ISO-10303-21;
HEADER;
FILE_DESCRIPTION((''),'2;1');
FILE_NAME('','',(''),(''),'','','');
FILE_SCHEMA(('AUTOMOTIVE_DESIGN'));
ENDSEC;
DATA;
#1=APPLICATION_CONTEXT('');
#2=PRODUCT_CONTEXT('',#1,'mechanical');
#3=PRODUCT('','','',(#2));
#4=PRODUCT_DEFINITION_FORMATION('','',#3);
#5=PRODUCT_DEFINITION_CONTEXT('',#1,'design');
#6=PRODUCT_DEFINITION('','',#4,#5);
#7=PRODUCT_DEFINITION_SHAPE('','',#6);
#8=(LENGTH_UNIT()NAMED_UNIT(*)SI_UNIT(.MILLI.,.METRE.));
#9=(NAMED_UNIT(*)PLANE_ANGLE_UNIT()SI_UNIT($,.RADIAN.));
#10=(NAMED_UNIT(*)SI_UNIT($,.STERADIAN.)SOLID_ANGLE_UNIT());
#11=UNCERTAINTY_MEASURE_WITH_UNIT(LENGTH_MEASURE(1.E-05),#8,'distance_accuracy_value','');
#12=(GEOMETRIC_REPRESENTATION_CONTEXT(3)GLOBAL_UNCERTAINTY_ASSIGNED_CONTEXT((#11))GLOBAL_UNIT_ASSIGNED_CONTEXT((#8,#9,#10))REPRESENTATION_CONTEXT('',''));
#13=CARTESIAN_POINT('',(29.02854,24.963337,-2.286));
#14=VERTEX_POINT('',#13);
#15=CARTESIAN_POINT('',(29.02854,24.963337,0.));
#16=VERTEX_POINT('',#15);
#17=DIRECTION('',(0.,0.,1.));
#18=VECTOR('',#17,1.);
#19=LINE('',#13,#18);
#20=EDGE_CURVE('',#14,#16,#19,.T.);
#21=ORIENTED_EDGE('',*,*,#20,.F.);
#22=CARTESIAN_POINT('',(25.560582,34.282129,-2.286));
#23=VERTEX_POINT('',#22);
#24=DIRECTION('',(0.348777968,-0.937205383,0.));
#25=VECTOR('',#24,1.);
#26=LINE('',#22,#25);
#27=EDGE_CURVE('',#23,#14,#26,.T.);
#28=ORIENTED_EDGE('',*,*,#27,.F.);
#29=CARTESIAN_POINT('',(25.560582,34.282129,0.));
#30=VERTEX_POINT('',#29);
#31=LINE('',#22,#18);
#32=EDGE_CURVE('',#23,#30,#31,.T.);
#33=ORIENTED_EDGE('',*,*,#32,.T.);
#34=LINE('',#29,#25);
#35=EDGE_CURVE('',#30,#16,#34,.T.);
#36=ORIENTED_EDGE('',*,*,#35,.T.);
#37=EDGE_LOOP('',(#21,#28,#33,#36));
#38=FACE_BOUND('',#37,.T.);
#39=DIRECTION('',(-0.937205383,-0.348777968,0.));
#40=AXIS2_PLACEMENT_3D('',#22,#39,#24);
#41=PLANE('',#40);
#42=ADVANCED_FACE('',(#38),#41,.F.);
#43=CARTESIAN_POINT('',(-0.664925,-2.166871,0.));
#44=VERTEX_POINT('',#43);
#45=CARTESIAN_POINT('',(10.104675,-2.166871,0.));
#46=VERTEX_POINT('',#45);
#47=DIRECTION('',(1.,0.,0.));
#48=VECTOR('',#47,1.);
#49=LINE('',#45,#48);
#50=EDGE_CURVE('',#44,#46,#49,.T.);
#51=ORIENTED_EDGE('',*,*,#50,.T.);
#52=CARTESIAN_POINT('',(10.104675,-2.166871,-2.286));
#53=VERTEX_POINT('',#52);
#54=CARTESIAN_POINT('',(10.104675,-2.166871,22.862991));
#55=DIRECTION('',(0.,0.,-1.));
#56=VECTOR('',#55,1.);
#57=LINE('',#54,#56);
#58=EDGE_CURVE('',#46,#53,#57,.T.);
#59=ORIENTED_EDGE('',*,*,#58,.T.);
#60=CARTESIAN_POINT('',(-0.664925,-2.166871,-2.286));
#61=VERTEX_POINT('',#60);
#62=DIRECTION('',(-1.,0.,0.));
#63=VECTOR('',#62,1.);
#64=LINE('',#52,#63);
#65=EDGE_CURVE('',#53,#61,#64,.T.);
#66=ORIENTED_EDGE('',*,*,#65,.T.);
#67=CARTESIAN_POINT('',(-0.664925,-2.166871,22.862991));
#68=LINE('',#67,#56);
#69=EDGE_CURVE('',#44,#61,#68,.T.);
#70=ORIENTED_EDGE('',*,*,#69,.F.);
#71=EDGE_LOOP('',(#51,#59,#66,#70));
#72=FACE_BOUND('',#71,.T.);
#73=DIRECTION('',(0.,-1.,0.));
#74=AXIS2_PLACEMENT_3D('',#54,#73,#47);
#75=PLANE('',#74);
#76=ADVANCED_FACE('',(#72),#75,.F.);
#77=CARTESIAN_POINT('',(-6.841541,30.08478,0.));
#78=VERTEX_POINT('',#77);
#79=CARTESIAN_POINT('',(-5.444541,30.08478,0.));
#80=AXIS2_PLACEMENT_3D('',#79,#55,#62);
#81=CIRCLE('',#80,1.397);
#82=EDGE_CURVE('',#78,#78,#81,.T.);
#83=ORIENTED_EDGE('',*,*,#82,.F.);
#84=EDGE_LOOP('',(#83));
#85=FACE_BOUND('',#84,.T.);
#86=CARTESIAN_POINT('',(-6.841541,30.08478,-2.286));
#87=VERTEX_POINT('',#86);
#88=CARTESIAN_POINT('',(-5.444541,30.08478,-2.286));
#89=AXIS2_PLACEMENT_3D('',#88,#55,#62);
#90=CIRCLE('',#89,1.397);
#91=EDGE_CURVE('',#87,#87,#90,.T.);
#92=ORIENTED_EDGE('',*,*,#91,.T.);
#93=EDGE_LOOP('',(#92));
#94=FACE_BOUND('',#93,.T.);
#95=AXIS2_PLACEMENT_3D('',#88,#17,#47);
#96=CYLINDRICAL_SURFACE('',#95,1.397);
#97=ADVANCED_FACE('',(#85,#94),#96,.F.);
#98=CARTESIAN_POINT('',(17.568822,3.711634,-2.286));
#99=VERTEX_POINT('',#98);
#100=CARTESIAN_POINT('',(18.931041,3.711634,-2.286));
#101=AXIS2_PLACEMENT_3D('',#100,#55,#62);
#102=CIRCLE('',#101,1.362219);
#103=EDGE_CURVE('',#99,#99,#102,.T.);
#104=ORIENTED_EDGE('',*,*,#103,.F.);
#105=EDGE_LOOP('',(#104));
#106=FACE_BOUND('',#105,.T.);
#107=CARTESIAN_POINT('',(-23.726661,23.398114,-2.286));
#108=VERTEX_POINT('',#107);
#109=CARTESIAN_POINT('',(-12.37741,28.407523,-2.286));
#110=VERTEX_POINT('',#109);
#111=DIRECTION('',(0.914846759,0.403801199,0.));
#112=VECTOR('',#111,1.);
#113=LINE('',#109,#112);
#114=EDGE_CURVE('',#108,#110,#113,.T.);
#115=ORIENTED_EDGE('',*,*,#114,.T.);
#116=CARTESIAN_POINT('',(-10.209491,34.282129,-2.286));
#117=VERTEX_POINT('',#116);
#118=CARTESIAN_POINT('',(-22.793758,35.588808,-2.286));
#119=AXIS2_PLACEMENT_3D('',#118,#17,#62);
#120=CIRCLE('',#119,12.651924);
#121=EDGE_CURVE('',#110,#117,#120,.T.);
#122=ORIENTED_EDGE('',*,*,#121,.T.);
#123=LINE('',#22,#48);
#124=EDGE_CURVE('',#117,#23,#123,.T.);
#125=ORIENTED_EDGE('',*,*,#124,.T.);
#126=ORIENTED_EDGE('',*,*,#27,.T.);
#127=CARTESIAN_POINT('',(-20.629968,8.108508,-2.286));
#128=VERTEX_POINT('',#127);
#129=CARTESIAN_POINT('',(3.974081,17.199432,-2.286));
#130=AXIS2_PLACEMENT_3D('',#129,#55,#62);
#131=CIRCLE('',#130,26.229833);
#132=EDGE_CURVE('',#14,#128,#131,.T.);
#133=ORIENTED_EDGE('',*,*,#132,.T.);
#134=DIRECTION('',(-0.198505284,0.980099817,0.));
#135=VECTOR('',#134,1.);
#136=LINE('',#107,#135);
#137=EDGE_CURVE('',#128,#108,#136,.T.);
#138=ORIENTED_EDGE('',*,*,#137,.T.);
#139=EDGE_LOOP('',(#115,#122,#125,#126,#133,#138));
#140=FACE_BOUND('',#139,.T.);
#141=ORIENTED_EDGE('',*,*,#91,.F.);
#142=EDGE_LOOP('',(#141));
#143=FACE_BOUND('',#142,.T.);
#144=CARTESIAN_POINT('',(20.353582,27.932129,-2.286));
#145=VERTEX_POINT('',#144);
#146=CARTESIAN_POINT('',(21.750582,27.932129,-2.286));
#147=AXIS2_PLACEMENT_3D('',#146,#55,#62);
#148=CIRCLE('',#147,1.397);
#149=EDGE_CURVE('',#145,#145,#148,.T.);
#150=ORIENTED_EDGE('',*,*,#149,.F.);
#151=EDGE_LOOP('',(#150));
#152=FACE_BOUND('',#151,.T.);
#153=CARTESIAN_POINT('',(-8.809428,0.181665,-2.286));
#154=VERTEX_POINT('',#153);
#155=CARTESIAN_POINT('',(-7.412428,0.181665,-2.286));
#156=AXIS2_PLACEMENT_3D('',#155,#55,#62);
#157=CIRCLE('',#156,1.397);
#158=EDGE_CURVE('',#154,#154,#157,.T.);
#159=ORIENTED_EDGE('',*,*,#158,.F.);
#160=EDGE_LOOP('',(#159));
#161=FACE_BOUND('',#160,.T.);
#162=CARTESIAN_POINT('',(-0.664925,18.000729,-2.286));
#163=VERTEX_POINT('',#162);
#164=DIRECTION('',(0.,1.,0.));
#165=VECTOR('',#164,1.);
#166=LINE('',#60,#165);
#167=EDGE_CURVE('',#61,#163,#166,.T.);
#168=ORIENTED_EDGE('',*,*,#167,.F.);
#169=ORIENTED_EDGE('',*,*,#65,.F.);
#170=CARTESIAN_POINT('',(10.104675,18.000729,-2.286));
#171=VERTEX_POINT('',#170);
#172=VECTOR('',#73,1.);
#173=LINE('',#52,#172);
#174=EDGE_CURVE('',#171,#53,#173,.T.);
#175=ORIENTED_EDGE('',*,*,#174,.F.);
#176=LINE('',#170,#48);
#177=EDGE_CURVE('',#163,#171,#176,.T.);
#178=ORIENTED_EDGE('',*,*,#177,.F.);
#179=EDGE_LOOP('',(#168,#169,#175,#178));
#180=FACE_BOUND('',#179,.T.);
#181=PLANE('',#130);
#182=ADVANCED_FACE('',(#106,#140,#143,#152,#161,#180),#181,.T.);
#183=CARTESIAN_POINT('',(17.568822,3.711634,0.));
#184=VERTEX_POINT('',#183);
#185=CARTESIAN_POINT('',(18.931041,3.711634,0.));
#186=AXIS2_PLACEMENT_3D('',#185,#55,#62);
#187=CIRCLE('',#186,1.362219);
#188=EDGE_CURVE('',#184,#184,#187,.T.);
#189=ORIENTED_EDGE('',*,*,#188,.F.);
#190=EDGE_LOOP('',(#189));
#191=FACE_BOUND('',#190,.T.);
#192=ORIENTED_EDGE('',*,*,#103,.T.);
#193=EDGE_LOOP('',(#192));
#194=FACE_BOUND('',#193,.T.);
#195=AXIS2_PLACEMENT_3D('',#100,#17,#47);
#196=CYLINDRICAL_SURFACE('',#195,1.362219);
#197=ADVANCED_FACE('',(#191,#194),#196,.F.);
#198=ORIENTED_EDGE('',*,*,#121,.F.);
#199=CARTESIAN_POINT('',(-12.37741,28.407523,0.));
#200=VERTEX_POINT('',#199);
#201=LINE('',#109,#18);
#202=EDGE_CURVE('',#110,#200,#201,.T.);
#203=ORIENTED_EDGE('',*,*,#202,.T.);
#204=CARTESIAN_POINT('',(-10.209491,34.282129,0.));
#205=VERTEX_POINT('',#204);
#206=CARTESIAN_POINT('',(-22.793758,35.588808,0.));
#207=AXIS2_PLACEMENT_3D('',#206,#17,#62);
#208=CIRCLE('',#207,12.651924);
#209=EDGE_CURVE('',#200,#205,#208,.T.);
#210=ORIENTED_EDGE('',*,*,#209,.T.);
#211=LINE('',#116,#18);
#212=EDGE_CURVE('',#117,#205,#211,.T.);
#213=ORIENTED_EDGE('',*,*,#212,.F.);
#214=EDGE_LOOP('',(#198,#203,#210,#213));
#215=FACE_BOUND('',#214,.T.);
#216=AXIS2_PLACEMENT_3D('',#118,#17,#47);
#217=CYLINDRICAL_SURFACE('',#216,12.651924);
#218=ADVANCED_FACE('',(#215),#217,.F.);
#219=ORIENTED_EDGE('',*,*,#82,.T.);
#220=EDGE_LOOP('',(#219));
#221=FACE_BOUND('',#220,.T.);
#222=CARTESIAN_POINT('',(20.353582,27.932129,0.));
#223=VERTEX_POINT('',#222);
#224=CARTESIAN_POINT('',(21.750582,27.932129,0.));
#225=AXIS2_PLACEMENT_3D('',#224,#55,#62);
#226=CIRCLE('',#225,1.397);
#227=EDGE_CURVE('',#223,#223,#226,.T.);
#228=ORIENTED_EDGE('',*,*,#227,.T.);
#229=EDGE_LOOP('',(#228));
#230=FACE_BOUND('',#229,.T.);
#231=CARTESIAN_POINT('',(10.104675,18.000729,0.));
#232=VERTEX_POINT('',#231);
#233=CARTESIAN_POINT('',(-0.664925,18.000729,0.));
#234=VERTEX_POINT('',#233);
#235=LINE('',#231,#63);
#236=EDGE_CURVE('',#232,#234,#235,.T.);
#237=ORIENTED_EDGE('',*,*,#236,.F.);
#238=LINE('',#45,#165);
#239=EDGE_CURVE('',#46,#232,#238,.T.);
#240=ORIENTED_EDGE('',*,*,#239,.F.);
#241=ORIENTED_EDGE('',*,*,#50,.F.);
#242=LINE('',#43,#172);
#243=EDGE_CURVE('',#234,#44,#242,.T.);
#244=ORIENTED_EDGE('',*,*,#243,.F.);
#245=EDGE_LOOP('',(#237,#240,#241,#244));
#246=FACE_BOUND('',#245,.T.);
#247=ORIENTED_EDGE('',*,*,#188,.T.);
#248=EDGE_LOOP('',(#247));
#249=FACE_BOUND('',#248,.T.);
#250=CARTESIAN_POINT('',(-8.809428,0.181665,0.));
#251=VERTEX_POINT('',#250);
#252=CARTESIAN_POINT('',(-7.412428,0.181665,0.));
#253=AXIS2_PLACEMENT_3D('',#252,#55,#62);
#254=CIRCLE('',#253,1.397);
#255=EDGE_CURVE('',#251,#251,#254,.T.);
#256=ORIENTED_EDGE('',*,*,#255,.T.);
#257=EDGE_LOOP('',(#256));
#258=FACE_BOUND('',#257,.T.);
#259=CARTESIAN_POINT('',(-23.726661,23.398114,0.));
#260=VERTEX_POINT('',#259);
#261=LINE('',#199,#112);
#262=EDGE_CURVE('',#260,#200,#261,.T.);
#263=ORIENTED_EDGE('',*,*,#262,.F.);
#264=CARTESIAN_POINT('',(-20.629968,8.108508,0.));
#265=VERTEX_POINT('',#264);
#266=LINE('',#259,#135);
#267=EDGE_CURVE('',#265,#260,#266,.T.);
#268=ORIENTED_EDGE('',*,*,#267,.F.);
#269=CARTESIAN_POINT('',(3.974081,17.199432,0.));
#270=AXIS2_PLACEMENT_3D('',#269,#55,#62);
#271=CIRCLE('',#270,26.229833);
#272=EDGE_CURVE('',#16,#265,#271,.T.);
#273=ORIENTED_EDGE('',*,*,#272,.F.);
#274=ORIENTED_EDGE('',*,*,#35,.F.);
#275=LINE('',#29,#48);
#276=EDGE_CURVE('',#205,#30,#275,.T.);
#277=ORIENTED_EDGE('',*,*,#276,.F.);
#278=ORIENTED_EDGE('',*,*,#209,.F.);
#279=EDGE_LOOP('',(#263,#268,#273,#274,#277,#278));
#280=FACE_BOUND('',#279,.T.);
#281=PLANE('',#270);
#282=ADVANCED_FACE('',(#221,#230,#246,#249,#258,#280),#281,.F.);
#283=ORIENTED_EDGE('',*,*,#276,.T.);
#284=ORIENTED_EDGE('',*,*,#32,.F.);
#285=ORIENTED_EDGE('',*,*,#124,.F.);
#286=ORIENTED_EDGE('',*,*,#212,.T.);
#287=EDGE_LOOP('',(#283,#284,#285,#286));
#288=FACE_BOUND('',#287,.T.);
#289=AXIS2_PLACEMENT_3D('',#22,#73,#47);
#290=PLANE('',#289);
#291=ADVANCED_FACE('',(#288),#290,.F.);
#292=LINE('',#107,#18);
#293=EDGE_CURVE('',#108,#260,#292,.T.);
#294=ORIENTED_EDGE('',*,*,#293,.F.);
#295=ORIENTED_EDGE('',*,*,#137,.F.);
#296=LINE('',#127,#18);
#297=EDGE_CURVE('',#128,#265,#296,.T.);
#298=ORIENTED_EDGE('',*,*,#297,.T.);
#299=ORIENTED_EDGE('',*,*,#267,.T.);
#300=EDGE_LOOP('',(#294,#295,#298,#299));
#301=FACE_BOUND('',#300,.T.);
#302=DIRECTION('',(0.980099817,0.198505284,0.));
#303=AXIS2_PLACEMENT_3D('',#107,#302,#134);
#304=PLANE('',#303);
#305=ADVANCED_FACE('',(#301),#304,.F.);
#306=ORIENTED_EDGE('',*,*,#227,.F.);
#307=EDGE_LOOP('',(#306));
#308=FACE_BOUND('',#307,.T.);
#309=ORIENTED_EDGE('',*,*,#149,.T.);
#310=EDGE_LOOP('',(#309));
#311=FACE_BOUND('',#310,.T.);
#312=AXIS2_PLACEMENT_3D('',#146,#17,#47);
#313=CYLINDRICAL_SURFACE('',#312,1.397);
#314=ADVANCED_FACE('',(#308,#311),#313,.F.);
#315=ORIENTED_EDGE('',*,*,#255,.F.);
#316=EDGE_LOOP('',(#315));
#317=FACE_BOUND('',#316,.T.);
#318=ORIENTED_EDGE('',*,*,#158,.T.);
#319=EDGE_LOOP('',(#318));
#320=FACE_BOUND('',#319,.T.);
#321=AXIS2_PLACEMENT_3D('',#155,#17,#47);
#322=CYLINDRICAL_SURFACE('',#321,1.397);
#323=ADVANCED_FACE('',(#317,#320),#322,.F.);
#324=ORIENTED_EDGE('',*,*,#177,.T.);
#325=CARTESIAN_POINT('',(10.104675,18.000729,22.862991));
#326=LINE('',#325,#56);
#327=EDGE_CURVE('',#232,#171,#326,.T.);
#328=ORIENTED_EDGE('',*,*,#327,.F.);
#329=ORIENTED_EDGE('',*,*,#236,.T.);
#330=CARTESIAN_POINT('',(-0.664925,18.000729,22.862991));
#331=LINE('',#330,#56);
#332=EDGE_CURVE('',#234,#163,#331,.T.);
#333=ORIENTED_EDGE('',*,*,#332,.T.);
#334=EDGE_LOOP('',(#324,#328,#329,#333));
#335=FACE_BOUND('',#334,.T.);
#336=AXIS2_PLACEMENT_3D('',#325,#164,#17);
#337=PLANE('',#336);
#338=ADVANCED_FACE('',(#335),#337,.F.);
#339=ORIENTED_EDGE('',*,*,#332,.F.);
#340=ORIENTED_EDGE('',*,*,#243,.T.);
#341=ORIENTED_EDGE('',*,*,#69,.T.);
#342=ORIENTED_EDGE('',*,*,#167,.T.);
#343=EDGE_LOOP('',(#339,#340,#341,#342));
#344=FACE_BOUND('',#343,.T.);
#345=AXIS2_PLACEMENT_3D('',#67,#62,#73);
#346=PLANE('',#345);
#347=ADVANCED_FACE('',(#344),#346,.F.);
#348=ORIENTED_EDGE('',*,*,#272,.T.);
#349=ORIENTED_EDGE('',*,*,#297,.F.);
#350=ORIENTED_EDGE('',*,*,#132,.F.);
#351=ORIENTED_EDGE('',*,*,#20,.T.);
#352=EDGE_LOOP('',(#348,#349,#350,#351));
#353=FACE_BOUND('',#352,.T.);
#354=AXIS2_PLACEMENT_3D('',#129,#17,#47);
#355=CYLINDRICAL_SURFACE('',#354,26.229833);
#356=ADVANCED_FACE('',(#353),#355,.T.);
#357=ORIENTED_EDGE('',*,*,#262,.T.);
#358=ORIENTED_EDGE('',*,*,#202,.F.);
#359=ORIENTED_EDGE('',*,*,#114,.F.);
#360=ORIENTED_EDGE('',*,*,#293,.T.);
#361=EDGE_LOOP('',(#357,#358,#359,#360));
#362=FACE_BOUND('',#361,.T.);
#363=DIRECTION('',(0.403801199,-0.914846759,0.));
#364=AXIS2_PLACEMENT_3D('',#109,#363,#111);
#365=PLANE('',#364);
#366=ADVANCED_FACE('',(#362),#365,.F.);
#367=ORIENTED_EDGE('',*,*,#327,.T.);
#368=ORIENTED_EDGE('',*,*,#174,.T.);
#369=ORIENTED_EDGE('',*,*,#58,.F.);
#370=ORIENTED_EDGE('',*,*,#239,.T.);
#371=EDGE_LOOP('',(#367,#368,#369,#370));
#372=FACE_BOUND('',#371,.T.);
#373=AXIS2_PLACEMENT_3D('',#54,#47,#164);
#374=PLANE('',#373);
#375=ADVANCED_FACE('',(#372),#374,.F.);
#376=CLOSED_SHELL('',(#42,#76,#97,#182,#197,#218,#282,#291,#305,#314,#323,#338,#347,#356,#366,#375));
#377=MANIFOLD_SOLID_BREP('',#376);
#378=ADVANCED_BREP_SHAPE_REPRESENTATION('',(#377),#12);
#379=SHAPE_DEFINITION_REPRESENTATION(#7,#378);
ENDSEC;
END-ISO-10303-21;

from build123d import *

# Parameters (mm, degrees)
SKETCH5_R      = 1.397
SKETCH5_R_2    = 1.362219034
EXTRUDE1_DEPTH = 2.286
SKETCH10_W     = 10.7696
SKETCH10_H     = 20.1676
EXTRUDE2_DEPTH = 2.286


with BuildPart() as part:
    # Sketch5 → Extrude1 (new body)
    with BuildSketch(Plane(origin=(0, 0, 0), x_dir=(-0.018375543, 0.999831155, 0), z_dir=(0, 0, -1))):
        with BuildLine():
            Line((33.80665155, 26.18621859), (34.46394605, -9.577814671))
            ThreePointArc((34.46394605, -9.577814671), (31.404055355, -10.348947358), (28.630167887, -11.853315998))
            Line((28.630167887, -11.853315998), (23.830153765, -23.292701447))
            Line((23.830153765, -23.292701447), (8.486225874, -20.477486777))
            ThreePointArc((8.486225874, -20.477486777), (-7.865336256, 12.262044577), (24.425706506, 29.482353943))
            Line((24.425706506, 29.482353943), (33.80665155, 26.18621859))
        make_face()
        with Locations((27.527734531, 22.260177192)):
            Circle(SKETCH5_R, mode=Mode.SUBTRACT)
        with Locations((30.179746314, -4.890797216)):
            Circle(SKETCH5_R, mode=Mode.SUBTRACT)
        with Locations((3.363138785, 18.996048152)):
            Circle(SKETCH5_R_2, mode=Mode.SUBTRACT)
        with Locations((0.317842079, -7.407837933)):
            Circle(SKETCH5_R, mode=Mode.SUBTRACT)
    extrude(amount=EXTRUDE1_DEPTH)

    # Sketch10 → Extrude2 (cut)
    with BuildSketch(Plane(origin=(0, 0, -2.286), x_dir=(-1, 0, 0), z_dir=(0, 0, -1))):
        with Locations((-4.719875056, 7.916929458)):
            Rectangle(SKETCH10_W, SKETCH10_H)
    extrude(amount=-EXTRUDE2_DEPTH, mode=Mode.SUBTRACT)


solid = part.part
